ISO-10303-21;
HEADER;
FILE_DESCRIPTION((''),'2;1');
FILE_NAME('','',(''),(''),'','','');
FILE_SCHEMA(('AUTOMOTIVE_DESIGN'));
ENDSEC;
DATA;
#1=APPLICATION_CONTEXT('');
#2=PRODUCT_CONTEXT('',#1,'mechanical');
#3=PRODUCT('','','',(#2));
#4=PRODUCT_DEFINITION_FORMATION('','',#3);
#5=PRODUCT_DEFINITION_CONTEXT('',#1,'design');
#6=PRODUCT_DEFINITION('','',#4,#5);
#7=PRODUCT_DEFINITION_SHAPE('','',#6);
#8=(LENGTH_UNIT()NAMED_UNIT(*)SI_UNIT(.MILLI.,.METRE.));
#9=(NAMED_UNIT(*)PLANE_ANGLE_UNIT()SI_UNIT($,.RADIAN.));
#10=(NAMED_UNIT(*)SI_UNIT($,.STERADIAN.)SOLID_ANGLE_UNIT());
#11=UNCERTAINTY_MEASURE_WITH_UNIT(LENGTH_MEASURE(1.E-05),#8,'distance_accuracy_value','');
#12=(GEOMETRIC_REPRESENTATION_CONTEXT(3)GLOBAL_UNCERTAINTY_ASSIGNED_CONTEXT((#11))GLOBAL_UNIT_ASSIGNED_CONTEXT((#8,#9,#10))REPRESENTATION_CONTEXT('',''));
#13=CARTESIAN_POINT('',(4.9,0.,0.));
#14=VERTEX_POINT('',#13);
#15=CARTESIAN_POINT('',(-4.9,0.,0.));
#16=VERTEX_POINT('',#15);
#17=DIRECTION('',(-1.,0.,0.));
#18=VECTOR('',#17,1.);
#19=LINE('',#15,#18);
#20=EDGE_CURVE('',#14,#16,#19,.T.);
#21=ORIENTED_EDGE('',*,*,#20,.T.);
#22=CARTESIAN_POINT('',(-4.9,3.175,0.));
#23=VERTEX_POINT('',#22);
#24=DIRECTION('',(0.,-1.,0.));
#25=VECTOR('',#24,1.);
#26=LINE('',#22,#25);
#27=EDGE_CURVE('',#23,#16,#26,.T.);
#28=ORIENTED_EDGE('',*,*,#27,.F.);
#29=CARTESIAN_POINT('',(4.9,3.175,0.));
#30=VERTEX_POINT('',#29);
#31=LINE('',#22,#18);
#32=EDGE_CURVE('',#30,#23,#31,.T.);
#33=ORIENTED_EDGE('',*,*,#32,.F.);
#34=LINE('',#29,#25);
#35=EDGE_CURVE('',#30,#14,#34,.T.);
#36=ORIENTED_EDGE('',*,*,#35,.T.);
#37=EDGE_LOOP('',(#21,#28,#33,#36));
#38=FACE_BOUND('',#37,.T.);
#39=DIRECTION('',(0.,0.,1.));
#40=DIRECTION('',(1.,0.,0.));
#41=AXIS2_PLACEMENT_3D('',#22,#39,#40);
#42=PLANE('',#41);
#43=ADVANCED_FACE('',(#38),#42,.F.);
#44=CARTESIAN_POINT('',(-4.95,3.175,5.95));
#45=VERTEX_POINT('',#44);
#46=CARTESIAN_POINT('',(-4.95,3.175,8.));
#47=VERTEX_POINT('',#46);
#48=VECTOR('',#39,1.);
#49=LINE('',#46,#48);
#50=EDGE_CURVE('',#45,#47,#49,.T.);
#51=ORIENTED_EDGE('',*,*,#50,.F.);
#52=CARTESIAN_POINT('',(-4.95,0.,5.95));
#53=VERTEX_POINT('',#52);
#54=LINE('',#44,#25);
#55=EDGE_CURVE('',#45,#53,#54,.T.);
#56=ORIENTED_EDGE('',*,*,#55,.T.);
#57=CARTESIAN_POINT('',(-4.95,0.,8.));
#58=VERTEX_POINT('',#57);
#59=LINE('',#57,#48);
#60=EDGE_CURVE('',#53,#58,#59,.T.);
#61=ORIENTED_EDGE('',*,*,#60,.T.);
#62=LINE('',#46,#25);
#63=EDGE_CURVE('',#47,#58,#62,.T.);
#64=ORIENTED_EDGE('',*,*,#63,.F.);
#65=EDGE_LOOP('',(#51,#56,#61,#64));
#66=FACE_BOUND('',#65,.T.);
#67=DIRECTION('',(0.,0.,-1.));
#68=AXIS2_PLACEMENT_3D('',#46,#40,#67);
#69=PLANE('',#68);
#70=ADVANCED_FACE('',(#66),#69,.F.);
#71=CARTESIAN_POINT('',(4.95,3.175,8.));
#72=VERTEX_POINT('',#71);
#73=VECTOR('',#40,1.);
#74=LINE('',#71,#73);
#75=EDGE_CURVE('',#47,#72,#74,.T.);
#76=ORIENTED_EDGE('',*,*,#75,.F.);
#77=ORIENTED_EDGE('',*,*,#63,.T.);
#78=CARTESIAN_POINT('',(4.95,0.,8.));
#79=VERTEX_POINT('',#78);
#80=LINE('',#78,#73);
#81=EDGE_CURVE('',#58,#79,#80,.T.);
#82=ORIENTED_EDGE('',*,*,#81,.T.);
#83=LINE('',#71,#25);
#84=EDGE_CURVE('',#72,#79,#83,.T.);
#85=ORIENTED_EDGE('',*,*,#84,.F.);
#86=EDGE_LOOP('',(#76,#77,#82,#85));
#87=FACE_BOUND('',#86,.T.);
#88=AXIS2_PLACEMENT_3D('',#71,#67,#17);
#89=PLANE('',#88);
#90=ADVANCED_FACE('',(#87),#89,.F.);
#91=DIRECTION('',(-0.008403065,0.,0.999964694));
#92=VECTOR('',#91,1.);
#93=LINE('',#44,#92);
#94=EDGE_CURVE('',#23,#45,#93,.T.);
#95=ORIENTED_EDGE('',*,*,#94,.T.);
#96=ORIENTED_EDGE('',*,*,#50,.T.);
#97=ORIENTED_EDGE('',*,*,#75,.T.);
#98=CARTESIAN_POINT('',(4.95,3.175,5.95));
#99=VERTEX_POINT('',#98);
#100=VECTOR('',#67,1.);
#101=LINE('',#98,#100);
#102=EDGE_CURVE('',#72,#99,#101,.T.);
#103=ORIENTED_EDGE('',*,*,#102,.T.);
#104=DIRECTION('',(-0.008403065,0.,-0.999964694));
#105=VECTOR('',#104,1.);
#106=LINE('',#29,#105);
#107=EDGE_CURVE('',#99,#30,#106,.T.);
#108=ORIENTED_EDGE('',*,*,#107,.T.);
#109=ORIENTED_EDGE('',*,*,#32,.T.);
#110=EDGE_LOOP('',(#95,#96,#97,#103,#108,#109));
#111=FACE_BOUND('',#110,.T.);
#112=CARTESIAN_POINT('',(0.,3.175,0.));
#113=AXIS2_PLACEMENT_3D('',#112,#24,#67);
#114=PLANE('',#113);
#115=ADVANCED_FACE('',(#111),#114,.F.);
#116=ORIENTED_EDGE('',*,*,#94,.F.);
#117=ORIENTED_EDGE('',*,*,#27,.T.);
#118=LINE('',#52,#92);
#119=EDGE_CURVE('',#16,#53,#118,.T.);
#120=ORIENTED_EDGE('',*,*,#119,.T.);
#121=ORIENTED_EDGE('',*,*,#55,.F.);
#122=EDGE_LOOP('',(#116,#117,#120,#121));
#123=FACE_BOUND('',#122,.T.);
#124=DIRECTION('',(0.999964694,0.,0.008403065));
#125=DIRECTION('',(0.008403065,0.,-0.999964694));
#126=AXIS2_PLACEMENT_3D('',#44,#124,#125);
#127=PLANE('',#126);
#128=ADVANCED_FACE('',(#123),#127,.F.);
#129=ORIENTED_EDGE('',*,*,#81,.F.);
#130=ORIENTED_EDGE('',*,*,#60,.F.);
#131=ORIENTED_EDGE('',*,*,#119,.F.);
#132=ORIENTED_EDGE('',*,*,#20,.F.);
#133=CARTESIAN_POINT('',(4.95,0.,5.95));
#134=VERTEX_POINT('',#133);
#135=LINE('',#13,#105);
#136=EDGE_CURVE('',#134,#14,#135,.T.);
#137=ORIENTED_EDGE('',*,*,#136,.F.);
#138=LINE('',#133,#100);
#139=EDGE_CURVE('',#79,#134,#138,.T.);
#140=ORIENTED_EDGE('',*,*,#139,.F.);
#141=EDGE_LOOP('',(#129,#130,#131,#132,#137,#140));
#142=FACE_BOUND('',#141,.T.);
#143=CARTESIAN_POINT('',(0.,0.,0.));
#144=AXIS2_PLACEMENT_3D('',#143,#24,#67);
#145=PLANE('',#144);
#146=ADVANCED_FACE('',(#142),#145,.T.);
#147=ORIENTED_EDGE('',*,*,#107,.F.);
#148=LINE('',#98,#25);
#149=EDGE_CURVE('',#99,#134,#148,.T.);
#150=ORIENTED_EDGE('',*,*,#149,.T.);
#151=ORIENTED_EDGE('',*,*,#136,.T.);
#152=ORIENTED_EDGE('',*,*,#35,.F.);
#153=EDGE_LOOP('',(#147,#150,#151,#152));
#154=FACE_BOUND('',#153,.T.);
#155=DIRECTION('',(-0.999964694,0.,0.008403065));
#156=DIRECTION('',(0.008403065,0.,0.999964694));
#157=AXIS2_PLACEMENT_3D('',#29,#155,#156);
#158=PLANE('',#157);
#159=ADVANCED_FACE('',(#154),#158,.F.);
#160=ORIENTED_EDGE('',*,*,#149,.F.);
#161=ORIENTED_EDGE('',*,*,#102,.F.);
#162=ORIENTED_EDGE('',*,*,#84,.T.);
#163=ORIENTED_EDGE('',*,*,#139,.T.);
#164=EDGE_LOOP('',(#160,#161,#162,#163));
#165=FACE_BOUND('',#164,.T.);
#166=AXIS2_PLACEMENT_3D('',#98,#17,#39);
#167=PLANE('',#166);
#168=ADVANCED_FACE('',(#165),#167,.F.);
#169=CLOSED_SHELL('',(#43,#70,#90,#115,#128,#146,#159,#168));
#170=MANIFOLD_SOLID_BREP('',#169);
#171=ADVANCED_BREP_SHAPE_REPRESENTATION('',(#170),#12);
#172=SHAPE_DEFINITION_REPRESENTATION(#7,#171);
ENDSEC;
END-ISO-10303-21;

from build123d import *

# Parameters (mm, degrees)
BOSS_EXTRUDE1_DEPTH = 3.175


with BuildPart() as part:
    # Sketch1 → Boss-Extrude1 (new body)
    with BuildSketch(Plane(origin=(0, 0, 0), x_dir=(1, 0, 0), z_dir=(0, 1, 0))):
        Polygon((-4.9, 0), (4.9, 0), (4.95, -5.95), (4.95, -8), (-4.95, -8), (-4.95, -5.95), align=None)
    extrude(amount=BOSS_EXTRUDE1_DEPTH)


solid = part.part
